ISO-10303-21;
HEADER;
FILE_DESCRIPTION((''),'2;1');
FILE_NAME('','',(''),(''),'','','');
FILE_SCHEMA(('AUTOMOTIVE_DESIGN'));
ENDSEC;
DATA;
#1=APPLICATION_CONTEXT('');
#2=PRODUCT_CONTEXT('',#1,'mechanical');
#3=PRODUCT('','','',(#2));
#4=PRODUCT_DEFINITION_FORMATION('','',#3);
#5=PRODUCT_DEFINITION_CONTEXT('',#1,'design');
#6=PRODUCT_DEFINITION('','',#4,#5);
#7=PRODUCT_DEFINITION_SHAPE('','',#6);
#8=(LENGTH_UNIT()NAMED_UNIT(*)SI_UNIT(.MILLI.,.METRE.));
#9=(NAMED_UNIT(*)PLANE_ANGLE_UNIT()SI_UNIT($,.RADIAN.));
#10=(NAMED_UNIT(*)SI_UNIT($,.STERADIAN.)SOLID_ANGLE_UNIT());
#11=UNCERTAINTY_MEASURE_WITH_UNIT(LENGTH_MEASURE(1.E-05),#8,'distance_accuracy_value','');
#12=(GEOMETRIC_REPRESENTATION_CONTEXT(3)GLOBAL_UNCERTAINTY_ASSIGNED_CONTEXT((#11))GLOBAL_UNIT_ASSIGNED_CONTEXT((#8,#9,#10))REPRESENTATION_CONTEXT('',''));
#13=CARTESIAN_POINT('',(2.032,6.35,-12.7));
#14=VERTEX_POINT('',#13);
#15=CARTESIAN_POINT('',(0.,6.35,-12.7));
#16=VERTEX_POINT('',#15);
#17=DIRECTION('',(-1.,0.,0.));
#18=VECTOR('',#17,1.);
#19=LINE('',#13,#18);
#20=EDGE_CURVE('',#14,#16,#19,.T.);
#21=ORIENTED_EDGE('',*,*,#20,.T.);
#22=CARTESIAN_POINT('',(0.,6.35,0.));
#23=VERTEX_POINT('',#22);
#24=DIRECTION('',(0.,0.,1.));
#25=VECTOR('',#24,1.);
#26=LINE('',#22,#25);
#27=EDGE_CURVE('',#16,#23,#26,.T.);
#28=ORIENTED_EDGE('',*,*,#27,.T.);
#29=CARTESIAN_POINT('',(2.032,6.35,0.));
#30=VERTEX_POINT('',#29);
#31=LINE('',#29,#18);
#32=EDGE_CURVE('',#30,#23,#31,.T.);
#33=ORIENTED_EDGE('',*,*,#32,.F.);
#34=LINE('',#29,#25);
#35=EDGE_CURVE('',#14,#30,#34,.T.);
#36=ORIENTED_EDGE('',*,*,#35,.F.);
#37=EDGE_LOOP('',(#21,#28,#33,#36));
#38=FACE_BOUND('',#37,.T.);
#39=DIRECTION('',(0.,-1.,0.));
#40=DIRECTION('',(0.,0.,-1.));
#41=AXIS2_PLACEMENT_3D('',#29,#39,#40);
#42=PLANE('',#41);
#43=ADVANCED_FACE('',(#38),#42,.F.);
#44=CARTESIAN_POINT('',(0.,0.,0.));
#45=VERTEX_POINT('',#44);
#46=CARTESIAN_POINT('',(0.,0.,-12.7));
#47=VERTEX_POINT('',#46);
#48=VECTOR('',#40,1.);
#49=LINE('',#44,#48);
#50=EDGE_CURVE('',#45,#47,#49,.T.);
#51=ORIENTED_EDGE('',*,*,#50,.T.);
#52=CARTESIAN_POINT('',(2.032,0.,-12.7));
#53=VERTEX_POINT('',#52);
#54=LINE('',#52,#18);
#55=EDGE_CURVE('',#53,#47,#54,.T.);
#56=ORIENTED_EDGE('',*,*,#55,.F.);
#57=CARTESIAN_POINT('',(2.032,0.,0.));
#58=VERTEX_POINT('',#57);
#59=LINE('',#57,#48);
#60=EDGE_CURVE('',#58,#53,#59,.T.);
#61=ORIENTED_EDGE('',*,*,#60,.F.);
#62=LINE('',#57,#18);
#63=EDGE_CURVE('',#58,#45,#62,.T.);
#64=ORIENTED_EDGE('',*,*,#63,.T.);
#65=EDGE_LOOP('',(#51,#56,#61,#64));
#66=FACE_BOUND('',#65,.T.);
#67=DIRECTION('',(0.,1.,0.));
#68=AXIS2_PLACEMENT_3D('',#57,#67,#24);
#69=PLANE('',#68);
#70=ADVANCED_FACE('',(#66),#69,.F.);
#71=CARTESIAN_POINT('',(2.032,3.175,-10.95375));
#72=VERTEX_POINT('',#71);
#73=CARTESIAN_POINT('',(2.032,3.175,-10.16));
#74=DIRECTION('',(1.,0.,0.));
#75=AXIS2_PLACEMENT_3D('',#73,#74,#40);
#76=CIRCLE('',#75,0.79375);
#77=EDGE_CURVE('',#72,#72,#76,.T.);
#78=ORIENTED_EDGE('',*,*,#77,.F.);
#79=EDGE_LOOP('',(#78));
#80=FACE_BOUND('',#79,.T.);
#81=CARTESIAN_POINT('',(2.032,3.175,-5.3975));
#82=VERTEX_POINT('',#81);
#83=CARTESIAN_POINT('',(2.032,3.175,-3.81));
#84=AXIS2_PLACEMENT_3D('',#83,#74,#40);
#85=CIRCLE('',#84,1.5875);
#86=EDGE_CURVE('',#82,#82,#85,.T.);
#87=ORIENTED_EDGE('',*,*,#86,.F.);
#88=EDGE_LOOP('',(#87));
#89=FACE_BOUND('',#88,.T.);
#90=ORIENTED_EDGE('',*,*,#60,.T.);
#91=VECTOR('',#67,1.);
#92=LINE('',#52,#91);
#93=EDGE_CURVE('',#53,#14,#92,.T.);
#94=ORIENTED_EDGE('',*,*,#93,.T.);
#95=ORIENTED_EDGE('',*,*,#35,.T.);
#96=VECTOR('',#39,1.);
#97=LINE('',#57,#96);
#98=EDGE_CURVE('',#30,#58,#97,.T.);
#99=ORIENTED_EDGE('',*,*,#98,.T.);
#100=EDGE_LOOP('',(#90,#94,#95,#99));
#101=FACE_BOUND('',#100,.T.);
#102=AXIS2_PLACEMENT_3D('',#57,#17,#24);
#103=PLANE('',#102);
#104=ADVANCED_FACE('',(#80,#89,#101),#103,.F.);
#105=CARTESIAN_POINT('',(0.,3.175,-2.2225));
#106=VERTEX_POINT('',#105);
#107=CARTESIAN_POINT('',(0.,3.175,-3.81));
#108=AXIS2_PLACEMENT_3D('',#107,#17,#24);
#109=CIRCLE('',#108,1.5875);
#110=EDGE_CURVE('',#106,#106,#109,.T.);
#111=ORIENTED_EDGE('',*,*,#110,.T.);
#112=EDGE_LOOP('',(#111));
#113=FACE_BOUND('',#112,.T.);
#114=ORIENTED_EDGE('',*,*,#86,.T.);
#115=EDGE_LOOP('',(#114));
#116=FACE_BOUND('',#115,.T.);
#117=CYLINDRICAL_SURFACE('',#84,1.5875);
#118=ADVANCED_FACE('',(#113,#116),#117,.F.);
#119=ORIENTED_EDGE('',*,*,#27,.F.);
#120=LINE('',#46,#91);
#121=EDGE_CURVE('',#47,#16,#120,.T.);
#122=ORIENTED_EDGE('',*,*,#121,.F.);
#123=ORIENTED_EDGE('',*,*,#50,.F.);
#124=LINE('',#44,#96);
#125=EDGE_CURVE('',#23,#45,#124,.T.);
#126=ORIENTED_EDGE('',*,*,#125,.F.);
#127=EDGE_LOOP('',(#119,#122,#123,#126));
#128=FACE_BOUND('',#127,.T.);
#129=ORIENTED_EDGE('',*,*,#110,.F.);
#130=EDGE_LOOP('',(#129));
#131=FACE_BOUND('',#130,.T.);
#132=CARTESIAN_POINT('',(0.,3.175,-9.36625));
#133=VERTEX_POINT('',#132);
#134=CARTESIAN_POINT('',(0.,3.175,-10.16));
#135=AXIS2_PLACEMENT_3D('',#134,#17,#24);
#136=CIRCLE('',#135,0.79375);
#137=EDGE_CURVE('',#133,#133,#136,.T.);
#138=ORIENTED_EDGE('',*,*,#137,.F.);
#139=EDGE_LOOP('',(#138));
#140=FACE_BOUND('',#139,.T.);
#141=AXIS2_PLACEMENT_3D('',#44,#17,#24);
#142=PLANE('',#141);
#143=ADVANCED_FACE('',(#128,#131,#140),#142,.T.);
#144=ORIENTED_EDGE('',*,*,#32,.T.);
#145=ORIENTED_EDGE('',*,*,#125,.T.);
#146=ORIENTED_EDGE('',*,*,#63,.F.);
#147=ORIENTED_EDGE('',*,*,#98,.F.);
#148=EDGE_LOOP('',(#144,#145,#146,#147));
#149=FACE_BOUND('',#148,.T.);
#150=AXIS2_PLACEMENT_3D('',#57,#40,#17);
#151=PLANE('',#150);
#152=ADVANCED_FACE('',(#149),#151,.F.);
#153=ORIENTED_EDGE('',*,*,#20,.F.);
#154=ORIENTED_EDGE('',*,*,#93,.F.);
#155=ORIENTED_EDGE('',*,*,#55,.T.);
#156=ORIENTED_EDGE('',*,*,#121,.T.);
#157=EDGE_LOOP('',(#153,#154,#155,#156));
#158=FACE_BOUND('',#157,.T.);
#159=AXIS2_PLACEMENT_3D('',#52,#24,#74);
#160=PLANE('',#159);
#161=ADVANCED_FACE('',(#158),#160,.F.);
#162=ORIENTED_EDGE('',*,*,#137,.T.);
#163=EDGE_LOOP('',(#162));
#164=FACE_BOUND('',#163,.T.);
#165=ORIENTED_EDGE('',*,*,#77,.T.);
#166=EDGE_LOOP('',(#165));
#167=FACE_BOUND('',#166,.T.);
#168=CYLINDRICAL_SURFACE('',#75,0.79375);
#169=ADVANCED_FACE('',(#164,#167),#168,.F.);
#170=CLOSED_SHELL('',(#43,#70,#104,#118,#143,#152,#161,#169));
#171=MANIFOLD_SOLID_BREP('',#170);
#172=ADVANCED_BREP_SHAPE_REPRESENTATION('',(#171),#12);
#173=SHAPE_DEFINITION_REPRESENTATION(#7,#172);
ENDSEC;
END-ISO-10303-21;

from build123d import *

# Parameters (mm, degrees)
SKETCH1_W                          = 12.7
SKETCH1_H                          = 6.35
BOSS_EXTRUDE1_DEPTH                = 2.032
F_1_16_0_0625_DIAMETER_HOLE1_D     = 1.5875
F_1_16_0_0625_DIAMETER_HOLE1_DEPTH = 70.104
F_1_16_0_0625_DIAMETER_HOLE1_TIP   = 0.476933116
F_1_8_0_125_DIAMETER_HOLE1_D       = 3.175
F_1_8_0_125_DIAMETER_HOLE1_DEPTH   = 70.104
F_1_8_0_125_DIAMETER_HOLE1_TIP     = 0.953866233


with BuildPart() as part:
    # Sketch1 → Boss-Extrude1 (new body)
    with BuildSketch(Plane(origin=(0, 0, 0), x_dir=(0, 0, -1), z_dir=(1, 0, 0))):
        with Locations((6.35, 3.175)):
            Rectangle(SKETCH1_W, SKETCH1_H)
    extrude(amount=BOSS_EXTRUDE1_DEPTH)

    # 1/16 (0.0625) Diameter Hole1
    with Locations(Plane(origin=(2.032, 0, 0), x_dir=(0, 0, -1), z_dir=(1, 0, 0))):
        with Locations((10.16, 3.175)):
            Hole(F_1_16_0_0625_DIAMETER_HOLE1_D / 2, depth=F_1_16_0_0625_DIAMETER_HOLE1_DEPTH)
            with Locations((0, 0, -(F_1_16_0_0625_DIAMETER_HOLE1_DEPTH + F_1_16_0_0625_DIAMETER_HOLE1_TIP / 2))):  # 118° drill point
                Cone(0, F_1_16_0_0625_DIAMETER_HOLE1_D / 2, F_1_16_0_0625_DIAMETER_HOLE1_TIP, mode=Mode.SUBTRACT)

    # 1/8 (0.125) Diameter Hole1
    with Locations(Plane(origin=(2.032, 0, 0), x_dir=(0, 0, -1), z_dir=(1, 0, 0))):
        with Locations((3.81, 3.175)):
            Hole(F_1_8_0_125_DIAMETER_HOLE1_D / 2, depth=F_1_8_0_125_DIAMETER_HOLE1_DEPTH)
            with Locations((0, 0, -(F_1_8_0_125_DIAMETER_HOLE1_DEPTH + F_1_8_0_125_DIAMETER_HOLE1_TIP / 2))):  # 118° drill point
                Cone(0, F_1_8_0_125_DIAMETER_HOLE1_D / 2, F_1_8_0_125_DIAMETER_HOLE1_TIP, mode=Mode.SUBTRACT)


solid = part.part
